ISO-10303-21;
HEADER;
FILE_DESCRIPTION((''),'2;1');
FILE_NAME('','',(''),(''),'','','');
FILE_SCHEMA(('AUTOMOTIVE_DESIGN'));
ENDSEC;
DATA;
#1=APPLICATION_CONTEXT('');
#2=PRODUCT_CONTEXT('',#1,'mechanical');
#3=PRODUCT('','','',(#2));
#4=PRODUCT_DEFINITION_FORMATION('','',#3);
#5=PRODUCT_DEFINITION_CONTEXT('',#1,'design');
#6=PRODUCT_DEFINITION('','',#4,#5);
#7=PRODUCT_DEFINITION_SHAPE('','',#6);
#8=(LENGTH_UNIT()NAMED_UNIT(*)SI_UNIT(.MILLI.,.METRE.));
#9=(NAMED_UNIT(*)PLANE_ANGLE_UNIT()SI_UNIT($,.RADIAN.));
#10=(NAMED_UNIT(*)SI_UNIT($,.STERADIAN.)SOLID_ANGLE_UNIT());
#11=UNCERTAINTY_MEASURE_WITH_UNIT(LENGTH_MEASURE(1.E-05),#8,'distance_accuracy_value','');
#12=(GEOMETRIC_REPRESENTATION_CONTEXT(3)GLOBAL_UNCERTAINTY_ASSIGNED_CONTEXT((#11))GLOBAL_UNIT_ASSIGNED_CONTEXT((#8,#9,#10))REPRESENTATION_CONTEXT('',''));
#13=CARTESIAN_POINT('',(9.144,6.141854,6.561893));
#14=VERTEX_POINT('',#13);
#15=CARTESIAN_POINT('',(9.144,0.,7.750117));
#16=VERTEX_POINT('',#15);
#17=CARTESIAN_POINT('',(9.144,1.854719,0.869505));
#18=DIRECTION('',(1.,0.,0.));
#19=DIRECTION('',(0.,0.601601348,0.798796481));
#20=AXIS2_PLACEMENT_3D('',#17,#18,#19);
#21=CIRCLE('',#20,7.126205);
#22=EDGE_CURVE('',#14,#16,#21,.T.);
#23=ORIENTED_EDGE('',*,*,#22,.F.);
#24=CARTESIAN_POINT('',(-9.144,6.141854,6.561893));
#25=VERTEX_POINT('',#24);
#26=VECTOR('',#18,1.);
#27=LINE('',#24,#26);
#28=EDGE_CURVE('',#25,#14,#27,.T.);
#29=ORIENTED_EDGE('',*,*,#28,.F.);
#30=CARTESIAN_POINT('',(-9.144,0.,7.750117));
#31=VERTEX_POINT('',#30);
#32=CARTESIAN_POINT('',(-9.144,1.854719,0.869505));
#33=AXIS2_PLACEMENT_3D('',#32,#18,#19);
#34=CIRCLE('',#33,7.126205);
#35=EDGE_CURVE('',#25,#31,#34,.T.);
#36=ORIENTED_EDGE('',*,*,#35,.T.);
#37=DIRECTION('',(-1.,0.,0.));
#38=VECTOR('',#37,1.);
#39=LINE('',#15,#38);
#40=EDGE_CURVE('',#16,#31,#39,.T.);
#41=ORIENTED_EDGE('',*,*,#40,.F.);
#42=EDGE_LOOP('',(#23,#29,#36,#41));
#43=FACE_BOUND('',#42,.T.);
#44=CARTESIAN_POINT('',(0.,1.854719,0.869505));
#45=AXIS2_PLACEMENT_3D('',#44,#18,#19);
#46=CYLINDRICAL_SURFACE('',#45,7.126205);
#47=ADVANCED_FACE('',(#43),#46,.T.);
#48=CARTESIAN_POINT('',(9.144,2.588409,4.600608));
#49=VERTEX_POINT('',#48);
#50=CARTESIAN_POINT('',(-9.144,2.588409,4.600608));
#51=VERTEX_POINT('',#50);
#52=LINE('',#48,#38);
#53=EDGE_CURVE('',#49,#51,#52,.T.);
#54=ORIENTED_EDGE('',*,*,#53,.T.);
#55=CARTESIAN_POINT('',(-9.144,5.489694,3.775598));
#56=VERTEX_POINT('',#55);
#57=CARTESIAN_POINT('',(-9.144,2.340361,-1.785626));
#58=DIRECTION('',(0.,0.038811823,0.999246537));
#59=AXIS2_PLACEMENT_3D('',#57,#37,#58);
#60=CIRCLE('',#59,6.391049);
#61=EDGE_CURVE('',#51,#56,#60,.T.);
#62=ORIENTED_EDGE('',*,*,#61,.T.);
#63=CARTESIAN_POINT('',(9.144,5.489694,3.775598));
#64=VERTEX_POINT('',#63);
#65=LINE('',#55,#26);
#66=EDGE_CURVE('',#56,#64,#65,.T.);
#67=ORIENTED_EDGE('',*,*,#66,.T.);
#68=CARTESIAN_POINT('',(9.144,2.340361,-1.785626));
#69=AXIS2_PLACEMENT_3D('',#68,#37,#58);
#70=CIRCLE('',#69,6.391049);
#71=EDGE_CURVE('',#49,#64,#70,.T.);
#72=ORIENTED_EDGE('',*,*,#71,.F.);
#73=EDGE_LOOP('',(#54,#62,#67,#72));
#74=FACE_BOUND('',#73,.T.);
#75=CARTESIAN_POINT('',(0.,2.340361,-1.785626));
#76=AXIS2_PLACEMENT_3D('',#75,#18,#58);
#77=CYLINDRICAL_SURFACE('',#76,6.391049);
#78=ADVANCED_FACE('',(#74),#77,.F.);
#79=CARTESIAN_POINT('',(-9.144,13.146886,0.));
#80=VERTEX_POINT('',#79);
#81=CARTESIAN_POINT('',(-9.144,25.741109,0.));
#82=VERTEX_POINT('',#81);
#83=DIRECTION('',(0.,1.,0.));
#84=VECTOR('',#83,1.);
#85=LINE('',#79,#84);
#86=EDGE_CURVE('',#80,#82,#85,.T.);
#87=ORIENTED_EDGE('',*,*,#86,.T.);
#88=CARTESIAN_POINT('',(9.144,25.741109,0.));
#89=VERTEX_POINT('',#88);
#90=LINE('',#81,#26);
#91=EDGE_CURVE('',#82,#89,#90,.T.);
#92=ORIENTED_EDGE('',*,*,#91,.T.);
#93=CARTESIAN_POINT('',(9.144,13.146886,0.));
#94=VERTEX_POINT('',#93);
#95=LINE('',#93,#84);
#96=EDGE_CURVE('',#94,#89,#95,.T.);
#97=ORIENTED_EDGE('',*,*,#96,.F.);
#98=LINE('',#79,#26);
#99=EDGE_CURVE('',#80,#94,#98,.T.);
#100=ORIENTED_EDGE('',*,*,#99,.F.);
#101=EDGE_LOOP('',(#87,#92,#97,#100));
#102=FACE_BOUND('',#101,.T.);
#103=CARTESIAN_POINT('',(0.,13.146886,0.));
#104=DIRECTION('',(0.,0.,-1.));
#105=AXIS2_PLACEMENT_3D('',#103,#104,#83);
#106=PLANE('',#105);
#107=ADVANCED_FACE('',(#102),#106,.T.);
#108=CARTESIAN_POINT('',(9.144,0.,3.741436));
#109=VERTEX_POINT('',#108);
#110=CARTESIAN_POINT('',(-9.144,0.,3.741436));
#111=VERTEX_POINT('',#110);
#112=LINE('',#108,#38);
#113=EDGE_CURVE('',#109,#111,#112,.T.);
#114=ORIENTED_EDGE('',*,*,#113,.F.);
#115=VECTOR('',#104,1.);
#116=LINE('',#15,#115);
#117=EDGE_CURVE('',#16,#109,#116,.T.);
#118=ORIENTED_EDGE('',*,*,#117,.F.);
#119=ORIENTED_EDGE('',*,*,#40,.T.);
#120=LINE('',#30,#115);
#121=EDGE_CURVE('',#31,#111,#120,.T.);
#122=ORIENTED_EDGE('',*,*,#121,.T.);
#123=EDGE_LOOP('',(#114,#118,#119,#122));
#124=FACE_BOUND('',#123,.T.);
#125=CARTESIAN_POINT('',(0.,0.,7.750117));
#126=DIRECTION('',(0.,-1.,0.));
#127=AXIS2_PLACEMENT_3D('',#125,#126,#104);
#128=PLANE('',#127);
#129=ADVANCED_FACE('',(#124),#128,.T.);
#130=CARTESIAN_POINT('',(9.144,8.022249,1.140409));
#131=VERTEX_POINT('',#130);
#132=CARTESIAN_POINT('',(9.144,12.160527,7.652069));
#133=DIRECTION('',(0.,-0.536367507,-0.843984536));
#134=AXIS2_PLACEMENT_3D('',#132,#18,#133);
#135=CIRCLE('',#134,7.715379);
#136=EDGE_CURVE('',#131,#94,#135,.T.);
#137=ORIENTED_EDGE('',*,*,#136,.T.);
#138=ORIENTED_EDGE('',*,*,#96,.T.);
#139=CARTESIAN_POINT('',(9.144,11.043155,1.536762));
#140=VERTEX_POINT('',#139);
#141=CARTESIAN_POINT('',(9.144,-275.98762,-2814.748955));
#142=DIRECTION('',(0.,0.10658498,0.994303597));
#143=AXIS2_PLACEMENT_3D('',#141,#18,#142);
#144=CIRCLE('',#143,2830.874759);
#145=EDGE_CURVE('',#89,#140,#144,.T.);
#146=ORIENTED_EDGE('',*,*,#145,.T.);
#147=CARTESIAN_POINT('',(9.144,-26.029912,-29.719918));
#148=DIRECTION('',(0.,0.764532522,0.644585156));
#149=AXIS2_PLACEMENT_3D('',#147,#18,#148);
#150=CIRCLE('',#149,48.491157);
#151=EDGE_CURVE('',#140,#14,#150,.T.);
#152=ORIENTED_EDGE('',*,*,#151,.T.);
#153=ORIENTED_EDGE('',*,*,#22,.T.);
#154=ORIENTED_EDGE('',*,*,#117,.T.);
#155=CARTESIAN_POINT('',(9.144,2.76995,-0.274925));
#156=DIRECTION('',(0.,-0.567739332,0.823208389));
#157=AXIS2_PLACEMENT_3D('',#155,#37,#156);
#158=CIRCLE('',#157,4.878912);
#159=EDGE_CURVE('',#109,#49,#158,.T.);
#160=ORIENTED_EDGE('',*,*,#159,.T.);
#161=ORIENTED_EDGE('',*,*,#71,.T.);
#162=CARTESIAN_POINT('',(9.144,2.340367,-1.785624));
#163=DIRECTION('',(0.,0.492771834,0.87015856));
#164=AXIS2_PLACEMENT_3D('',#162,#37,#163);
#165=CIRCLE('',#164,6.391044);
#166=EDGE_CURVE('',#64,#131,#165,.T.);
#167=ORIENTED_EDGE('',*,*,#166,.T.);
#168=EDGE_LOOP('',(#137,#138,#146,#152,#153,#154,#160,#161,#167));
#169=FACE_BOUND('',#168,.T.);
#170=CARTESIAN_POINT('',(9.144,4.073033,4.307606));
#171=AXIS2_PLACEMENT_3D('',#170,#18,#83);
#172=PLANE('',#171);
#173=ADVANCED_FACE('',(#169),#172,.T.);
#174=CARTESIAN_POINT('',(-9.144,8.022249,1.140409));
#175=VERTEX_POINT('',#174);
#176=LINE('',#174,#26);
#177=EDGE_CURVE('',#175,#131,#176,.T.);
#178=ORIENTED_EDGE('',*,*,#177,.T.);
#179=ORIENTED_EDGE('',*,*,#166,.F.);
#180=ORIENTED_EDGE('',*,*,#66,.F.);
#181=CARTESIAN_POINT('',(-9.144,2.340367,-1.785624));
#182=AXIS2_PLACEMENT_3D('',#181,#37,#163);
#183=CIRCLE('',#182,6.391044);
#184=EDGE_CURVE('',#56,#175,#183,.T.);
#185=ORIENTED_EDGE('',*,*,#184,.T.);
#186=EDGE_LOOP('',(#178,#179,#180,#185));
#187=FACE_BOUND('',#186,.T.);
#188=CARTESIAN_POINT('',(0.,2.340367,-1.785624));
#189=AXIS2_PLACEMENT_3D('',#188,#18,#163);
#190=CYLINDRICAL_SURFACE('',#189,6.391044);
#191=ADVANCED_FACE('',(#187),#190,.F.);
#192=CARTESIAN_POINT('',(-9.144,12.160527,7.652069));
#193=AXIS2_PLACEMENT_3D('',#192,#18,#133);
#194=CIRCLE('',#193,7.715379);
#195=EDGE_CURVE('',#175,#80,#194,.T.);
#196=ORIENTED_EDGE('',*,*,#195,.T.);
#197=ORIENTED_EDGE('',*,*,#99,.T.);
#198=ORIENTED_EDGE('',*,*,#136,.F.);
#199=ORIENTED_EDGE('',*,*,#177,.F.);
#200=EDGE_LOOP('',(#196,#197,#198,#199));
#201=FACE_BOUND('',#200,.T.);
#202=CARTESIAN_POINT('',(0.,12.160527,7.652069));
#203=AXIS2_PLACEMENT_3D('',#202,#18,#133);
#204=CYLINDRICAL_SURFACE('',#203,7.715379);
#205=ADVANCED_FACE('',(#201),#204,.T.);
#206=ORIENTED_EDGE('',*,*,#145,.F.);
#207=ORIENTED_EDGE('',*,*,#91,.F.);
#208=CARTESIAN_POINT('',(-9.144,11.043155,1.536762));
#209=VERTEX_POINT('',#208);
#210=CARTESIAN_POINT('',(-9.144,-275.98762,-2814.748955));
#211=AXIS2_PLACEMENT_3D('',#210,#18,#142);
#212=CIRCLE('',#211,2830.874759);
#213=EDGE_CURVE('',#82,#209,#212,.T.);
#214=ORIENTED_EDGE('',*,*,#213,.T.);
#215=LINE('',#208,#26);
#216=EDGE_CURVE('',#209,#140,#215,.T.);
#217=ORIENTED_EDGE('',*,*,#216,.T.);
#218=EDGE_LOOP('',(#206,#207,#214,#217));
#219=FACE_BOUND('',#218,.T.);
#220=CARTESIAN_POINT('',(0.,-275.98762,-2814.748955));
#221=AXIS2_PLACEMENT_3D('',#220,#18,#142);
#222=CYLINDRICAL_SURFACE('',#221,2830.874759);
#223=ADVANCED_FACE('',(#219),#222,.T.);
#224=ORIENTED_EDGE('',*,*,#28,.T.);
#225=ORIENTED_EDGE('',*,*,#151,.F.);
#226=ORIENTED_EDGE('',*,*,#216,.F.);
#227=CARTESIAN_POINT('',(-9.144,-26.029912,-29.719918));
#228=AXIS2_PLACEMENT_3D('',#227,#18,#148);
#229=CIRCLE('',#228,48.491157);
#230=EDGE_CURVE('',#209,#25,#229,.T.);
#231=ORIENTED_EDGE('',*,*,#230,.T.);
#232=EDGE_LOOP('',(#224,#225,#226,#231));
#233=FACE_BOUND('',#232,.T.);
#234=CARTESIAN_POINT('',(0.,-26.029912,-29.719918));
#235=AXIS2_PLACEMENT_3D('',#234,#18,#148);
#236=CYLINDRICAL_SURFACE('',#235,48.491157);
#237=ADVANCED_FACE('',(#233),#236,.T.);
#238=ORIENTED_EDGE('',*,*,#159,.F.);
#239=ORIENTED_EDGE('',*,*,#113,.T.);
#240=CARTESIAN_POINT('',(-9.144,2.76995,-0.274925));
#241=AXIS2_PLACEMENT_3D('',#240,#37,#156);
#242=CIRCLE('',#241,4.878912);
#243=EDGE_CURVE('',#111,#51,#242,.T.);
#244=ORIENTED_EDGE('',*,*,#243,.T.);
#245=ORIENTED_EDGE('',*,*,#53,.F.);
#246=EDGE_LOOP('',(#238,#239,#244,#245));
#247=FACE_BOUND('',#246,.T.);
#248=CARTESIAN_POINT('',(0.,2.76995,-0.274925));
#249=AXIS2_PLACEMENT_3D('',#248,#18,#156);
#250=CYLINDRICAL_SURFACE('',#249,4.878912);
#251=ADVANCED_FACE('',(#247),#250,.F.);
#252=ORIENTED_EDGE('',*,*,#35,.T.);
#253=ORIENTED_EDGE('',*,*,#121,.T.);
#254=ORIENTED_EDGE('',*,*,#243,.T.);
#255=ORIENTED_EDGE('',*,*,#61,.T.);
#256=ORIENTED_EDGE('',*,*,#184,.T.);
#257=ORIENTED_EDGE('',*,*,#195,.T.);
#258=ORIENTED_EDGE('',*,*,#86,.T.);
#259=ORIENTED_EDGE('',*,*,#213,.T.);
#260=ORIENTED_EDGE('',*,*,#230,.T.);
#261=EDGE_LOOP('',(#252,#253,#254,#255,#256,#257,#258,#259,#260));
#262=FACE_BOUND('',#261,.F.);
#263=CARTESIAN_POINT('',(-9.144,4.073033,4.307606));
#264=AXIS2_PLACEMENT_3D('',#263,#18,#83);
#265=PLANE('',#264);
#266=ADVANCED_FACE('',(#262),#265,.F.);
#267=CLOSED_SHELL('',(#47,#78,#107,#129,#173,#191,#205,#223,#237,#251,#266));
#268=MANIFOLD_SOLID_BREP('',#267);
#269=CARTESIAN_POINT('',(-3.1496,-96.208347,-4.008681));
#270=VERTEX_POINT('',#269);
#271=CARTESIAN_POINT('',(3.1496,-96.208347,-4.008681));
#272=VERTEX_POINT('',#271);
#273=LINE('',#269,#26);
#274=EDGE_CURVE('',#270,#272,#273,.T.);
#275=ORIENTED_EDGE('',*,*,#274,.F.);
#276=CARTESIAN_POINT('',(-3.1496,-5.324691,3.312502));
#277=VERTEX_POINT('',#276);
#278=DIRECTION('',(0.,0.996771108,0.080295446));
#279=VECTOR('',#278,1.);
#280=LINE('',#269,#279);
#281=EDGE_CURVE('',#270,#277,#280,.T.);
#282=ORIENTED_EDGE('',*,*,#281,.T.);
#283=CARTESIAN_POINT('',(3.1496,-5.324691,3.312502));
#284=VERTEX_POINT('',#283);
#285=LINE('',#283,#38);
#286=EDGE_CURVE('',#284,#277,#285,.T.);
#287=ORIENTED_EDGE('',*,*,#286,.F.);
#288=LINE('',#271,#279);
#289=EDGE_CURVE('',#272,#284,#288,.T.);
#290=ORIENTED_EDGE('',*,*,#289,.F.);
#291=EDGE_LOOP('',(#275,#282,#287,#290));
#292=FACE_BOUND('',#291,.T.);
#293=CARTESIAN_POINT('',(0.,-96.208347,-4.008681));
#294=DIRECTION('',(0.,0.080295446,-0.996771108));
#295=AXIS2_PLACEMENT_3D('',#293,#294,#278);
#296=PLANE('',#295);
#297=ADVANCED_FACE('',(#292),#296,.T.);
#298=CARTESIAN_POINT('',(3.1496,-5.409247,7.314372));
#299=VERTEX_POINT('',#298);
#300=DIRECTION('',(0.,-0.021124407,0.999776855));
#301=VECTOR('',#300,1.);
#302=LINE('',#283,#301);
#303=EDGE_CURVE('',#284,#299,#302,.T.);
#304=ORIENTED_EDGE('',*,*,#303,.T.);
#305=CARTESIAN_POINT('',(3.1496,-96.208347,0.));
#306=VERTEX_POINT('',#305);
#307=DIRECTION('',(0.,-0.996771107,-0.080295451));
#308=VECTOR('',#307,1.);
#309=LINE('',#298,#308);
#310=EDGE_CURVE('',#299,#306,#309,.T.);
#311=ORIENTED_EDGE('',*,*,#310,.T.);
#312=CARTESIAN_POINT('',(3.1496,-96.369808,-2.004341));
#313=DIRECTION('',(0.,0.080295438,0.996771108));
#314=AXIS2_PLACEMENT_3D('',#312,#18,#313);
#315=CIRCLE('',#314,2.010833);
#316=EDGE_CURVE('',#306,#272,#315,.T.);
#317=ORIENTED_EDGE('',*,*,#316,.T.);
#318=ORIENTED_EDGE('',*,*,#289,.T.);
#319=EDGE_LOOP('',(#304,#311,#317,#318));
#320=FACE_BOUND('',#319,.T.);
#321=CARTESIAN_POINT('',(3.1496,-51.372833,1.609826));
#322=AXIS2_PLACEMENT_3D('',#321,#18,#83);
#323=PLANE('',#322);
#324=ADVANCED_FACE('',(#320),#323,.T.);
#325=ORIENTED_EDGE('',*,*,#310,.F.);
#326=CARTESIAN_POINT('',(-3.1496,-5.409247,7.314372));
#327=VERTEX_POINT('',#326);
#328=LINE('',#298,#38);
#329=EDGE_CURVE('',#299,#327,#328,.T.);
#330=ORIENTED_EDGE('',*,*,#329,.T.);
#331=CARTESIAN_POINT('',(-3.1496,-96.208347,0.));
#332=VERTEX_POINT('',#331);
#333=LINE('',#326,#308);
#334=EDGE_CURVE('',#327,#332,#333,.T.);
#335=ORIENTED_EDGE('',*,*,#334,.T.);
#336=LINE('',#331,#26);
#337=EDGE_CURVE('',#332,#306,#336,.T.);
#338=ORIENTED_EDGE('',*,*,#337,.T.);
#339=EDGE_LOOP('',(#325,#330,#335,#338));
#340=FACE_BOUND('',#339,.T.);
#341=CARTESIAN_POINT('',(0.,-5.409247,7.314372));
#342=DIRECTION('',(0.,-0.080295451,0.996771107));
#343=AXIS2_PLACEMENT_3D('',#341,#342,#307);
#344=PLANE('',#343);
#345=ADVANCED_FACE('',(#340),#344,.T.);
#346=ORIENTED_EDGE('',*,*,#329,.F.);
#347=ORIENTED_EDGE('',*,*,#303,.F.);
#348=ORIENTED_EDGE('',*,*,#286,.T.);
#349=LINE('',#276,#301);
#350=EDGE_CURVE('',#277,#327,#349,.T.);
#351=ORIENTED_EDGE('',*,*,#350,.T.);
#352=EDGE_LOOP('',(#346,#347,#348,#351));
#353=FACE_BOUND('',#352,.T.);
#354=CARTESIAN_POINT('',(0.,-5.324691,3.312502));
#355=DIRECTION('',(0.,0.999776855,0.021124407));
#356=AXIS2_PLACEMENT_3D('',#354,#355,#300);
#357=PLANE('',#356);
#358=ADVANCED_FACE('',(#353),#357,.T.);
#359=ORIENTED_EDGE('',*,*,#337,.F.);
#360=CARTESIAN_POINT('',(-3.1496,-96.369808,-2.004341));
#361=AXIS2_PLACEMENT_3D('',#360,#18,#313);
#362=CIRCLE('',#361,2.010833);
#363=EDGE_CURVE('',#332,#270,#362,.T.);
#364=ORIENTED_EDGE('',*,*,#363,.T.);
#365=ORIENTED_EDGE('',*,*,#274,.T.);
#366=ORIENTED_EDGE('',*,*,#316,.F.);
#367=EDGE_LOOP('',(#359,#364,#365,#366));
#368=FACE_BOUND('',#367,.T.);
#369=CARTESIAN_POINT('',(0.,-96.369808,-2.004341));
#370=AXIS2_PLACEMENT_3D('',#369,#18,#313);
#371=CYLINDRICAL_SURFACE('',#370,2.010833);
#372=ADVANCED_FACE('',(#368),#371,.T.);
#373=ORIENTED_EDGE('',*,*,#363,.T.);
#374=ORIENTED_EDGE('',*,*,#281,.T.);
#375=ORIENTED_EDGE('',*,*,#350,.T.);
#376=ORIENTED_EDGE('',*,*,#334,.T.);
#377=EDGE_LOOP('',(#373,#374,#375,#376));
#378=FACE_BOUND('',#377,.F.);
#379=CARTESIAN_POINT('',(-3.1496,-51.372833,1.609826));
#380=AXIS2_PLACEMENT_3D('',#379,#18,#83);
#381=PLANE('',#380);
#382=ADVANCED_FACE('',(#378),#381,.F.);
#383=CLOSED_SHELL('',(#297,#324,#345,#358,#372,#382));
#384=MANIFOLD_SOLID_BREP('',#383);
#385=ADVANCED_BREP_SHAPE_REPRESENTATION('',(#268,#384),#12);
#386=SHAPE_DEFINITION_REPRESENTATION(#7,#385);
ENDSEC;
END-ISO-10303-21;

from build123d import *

# Parameters (mm, degrees)
F1_DEPTH      = 3.1496
F1_DEPTH_BACK = 3.1496
F2_DEPTH      = 9.144
F2_DEPTH_BACK = 9.144


with BuildPart() as f1:
    # F0 (on Right) → F1 (new body, two sides)
    with BuildSketch(Plane.YZ) as f1_sk:
        with BuildLine():
            Line((-5.409247, 7.314372), (-96.208347, 0))
            ThreePointArc((-96.208347, 0), (-98.380641, -2.004341), (-96.208347, -4.008681))
            Line((-96.208347, -4.008681), (-5.324691, 3.312502))
            Line((-5.324691, 3.312502), (-5.409247, 7.314372))
        make_face()
    extrude(amount=F1_DEPTH)
    extrude(f1_sk.sketch, amount=-F1_DEPTH_BACK)


with BuildPart() as f2:
    # F0 (on Right) → F2 (new body, two sides)
    with BuildSketch(Plane.YZ) as f2_sk:
        with BuildLine():
            ThreePointArc((5.489694, 3.775598), (4.104408, 4.41794), (2.588409, 4.600608))
            ThreePointArc((2.588409, 4.600608), (4.08842, 4.361715), (5.489694, 3.775598))
        make_face()
        with BuildLine():
            ThreePointArc((6.141854, 6.561893), (3.208281, 7.865981), (0, 7.750117))
            Line((0, 7.750117), (0, 3.741436))
            ThreePointArc((0, 3.741436), (1.23295, 4.355562), (2.588409, 4.600608))
            ThreePointArc((2.588409, 4.600608), (4.104408, 4.41794), (5.489694, 3.775598))
            ThreePointArc((5.489694, 3.775598), (6.948362, 2.642901), (8.022249, 1.140409))
            ThreePointArc((8.022249, 1.140409), (10.484585, 0.120915), (13.146886, 0))
            Line((13.146886, 0), (15.927428, 0))
            Line((15.927428, 0), (25.741109, 0))
            ThreePointArc((25.741109, 0), (18.393135, 0.777972), (11.043155, 1.536762))
            ThreePointArc((11.043155, 1.536762), (8.683554, 4.138133), (6.141854, 6.561893))
        make_face()
    extrude(amount=F2_DEPTH)
    extrude(f2_sk.sketch, amount=-F2_DEPTH_BACK)


solid = Compound([f1.part, f2.part])
